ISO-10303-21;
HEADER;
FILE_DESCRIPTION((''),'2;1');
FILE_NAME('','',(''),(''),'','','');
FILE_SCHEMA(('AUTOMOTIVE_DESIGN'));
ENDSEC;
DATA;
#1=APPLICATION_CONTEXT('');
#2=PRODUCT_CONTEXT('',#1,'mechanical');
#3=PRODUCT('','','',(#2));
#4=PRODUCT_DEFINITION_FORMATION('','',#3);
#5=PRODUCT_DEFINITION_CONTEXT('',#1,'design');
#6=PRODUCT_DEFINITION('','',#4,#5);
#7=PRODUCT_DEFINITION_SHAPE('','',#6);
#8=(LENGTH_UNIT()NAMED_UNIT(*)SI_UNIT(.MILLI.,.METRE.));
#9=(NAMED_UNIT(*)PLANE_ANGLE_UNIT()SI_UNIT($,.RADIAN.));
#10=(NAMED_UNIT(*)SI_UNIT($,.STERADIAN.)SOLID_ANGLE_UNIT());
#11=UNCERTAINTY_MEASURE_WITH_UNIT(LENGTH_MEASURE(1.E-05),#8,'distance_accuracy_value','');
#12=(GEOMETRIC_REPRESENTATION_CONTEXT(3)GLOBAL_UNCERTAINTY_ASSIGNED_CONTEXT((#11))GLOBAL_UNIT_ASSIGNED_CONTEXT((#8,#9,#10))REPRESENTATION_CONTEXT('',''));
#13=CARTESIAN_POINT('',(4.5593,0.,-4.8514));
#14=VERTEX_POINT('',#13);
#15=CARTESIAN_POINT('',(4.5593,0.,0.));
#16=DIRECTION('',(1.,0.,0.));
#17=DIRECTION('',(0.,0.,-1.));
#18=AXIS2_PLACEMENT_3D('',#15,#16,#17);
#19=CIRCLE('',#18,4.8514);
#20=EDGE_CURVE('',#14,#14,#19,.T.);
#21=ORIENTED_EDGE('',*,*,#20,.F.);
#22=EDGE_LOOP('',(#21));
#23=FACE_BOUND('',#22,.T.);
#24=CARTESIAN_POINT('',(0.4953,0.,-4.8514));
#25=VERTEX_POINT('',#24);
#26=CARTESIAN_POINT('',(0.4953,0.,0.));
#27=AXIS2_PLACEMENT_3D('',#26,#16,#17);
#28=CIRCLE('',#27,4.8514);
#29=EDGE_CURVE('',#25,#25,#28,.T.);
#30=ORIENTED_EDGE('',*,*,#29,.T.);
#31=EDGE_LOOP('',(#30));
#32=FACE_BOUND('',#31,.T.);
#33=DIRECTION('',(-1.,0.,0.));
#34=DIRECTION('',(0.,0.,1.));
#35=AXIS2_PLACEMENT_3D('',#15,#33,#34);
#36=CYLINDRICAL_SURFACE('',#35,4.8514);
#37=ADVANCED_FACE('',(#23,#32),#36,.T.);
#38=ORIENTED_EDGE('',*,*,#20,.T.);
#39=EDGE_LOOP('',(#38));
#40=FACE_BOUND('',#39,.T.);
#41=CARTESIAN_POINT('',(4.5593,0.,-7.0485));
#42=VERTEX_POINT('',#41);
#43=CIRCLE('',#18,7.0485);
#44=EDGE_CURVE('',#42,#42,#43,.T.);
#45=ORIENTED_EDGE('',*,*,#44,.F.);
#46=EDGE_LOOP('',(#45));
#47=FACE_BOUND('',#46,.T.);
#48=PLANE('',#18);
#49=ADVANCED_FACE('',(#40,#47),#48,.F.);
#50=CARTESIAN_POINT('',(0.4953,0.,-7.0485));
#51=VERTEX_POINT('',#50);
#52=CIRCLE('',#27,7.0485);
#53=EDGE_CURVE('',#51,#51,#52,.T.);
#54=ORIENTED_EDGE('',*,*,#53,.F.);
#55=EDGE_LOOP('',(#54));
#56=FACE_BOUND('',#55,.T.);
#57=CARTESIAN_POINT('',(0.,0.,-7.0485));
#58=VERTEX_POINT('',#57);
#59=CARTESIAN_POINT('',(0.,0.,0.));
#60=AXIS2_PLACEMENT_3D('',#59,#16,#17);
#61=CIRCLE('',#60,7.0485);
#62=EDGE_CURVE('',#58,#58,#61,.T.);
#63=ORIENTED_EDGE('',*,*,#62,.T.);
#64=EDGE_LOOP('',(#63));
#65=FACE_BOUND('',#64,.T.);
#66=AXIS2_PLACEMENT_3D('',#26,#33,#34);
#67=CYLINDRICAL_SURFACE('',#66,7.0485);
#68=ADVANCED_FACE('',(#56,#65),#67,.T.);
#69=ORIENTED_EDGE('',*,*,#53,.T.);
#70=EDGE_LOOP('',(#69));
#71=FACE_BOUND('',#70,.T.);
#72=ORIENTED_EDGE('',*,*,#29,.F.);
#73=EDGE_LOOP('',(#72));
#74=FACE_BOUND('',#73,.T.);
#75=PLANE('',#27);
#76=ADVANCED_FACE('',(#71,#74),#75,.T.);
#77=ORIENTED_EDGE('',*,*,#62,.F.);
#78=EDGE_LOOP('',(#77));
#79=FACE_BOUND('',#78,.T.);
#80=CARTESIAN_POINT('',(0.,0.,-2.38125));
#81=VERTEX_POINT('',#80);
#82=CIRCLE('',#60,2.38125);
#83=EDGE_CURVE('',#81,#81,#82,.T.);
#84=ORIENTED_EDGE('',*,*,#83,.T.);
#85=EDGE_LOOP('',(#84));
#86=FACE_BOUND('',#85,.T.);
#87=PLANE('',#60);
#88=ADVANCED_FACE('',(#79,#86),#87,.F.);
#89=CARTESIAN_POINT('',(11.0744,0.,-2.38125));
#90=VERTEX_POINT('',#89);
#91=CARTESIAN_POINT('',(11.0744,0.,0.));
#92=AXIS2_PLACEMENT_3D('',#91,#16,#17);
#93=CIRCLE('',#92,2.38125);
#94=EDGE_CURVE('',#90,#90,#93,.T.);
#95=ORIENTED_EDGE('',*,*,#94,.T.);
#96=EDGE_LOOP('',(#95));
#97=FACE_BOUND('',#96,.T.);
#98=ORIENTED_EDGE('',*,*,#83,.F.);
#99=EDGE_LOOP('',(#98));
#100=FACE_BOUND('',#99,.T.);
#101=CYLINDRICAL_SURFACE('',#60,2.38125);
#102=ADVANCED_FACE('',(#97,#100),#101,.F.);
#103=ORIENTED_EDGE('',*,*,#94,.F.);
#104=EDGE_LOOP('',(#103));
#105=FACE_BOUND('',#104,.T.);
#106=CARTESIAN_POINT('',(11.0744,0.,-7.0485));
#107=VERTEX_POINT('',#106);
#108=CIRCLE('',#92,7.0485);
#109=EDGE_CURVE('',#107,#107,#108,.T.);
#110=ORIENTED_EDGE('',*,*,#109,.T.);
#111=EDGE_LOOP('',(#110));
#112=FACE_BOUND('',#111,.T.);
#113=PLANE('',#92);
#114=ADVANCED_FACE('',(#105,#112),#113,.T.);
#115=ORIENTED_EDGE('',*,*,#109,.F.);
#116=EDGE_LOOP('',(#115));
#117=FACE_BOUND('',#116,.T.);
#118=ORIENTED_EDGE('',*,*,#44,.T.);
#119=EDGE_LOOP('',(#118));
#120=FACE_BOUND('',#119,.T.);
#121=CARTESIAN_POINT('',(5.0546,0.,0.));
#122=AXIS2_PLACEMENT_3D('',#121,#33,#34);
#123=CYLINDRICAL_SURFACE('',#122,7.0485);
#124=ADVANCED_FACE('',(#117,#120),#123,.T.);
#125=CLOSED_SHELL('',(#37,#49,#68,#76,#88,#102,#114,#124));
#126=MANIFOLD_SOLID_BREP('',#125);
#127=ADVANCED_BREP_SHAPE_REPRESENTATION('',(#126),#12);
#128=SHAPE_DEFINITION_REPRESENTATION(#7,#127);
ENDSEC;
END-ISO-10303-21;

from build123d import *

# Parameters (mm, degrees)
SKETCH1_R           = 7.0485
BOSS_EXTRUDE1_DEPTH = 0.4953
SKETCH2_R           = 4.8514
BOSS_EXTRUDE2_DEPTH = 4.064
SKETCH3_R           = 7.0485
BOSS_EXTRUDE3_DEPTH = 0.4953
SKETCH4_R           = 7.0485
BOSS_EXTRUDE4_DEPTH = 6.0198
SKETCH5_R           = 2.38125
CUT_EXTRUDE1_DEPTH  = 12.0744


with BuildPart() as part:
    # Sketch1 → Boss-Extrude1 (new body)
    with BuildSketch(Plane(origin=(0, 0, 0), x_dir=(0, 0, -1), z_dir=(1, 0, 0))):
        Circle(SKETCH1_R)
    extrude(amount=BOSS_EXTRUDE1_DEPTH)

    # Sketch2 → Boss-Extrude2 (add)
    with BuildSketch(Plane(origin=(0.4953, 0, 0), x_dir=(0, 0, -1), z_dir=(1, 0, 0))):
        Circle(SKETCH2_R)
    extrude(amount=BOSS_EXTRUDE2_DEPTH)

    # Sketch3 → Boss-Extrude3 (add)
    with BuildSketch(Plane(origin=(4.5593, 0, 0), x_dir=(0, 0, -1), z_dir=(1, 0, 0))):
        Circle(SKETCH3_R)
    extrude(amount=BOSS_EXTRUDE3_DEPTH)

    # Sketch4 → Boss-Extrude4 (add)
    with BuildSketch(Plane(origin=(5.0546, 0, 0), x_dir=(0, 0, -1), z_dir=(1, 0, 0))):
        Circle(SKETCH4_R)
    extrude(amount=BOSS_EXTRUDE4_DEPTH)

    # Sketch5 → Cut-Extrude1 (cut, through all)
    with BuildSketch(Plane(origin=(11.0744, 0, 0), x_dir=(0, 0, -1), z_dir=(1, 0, 0))):
        Circle(SKETCH5_R)
    extrude(amount=-CUT_EXTRUDE1_DEPTH, mode=Mode.SUBTRACT)


solid = part.part
